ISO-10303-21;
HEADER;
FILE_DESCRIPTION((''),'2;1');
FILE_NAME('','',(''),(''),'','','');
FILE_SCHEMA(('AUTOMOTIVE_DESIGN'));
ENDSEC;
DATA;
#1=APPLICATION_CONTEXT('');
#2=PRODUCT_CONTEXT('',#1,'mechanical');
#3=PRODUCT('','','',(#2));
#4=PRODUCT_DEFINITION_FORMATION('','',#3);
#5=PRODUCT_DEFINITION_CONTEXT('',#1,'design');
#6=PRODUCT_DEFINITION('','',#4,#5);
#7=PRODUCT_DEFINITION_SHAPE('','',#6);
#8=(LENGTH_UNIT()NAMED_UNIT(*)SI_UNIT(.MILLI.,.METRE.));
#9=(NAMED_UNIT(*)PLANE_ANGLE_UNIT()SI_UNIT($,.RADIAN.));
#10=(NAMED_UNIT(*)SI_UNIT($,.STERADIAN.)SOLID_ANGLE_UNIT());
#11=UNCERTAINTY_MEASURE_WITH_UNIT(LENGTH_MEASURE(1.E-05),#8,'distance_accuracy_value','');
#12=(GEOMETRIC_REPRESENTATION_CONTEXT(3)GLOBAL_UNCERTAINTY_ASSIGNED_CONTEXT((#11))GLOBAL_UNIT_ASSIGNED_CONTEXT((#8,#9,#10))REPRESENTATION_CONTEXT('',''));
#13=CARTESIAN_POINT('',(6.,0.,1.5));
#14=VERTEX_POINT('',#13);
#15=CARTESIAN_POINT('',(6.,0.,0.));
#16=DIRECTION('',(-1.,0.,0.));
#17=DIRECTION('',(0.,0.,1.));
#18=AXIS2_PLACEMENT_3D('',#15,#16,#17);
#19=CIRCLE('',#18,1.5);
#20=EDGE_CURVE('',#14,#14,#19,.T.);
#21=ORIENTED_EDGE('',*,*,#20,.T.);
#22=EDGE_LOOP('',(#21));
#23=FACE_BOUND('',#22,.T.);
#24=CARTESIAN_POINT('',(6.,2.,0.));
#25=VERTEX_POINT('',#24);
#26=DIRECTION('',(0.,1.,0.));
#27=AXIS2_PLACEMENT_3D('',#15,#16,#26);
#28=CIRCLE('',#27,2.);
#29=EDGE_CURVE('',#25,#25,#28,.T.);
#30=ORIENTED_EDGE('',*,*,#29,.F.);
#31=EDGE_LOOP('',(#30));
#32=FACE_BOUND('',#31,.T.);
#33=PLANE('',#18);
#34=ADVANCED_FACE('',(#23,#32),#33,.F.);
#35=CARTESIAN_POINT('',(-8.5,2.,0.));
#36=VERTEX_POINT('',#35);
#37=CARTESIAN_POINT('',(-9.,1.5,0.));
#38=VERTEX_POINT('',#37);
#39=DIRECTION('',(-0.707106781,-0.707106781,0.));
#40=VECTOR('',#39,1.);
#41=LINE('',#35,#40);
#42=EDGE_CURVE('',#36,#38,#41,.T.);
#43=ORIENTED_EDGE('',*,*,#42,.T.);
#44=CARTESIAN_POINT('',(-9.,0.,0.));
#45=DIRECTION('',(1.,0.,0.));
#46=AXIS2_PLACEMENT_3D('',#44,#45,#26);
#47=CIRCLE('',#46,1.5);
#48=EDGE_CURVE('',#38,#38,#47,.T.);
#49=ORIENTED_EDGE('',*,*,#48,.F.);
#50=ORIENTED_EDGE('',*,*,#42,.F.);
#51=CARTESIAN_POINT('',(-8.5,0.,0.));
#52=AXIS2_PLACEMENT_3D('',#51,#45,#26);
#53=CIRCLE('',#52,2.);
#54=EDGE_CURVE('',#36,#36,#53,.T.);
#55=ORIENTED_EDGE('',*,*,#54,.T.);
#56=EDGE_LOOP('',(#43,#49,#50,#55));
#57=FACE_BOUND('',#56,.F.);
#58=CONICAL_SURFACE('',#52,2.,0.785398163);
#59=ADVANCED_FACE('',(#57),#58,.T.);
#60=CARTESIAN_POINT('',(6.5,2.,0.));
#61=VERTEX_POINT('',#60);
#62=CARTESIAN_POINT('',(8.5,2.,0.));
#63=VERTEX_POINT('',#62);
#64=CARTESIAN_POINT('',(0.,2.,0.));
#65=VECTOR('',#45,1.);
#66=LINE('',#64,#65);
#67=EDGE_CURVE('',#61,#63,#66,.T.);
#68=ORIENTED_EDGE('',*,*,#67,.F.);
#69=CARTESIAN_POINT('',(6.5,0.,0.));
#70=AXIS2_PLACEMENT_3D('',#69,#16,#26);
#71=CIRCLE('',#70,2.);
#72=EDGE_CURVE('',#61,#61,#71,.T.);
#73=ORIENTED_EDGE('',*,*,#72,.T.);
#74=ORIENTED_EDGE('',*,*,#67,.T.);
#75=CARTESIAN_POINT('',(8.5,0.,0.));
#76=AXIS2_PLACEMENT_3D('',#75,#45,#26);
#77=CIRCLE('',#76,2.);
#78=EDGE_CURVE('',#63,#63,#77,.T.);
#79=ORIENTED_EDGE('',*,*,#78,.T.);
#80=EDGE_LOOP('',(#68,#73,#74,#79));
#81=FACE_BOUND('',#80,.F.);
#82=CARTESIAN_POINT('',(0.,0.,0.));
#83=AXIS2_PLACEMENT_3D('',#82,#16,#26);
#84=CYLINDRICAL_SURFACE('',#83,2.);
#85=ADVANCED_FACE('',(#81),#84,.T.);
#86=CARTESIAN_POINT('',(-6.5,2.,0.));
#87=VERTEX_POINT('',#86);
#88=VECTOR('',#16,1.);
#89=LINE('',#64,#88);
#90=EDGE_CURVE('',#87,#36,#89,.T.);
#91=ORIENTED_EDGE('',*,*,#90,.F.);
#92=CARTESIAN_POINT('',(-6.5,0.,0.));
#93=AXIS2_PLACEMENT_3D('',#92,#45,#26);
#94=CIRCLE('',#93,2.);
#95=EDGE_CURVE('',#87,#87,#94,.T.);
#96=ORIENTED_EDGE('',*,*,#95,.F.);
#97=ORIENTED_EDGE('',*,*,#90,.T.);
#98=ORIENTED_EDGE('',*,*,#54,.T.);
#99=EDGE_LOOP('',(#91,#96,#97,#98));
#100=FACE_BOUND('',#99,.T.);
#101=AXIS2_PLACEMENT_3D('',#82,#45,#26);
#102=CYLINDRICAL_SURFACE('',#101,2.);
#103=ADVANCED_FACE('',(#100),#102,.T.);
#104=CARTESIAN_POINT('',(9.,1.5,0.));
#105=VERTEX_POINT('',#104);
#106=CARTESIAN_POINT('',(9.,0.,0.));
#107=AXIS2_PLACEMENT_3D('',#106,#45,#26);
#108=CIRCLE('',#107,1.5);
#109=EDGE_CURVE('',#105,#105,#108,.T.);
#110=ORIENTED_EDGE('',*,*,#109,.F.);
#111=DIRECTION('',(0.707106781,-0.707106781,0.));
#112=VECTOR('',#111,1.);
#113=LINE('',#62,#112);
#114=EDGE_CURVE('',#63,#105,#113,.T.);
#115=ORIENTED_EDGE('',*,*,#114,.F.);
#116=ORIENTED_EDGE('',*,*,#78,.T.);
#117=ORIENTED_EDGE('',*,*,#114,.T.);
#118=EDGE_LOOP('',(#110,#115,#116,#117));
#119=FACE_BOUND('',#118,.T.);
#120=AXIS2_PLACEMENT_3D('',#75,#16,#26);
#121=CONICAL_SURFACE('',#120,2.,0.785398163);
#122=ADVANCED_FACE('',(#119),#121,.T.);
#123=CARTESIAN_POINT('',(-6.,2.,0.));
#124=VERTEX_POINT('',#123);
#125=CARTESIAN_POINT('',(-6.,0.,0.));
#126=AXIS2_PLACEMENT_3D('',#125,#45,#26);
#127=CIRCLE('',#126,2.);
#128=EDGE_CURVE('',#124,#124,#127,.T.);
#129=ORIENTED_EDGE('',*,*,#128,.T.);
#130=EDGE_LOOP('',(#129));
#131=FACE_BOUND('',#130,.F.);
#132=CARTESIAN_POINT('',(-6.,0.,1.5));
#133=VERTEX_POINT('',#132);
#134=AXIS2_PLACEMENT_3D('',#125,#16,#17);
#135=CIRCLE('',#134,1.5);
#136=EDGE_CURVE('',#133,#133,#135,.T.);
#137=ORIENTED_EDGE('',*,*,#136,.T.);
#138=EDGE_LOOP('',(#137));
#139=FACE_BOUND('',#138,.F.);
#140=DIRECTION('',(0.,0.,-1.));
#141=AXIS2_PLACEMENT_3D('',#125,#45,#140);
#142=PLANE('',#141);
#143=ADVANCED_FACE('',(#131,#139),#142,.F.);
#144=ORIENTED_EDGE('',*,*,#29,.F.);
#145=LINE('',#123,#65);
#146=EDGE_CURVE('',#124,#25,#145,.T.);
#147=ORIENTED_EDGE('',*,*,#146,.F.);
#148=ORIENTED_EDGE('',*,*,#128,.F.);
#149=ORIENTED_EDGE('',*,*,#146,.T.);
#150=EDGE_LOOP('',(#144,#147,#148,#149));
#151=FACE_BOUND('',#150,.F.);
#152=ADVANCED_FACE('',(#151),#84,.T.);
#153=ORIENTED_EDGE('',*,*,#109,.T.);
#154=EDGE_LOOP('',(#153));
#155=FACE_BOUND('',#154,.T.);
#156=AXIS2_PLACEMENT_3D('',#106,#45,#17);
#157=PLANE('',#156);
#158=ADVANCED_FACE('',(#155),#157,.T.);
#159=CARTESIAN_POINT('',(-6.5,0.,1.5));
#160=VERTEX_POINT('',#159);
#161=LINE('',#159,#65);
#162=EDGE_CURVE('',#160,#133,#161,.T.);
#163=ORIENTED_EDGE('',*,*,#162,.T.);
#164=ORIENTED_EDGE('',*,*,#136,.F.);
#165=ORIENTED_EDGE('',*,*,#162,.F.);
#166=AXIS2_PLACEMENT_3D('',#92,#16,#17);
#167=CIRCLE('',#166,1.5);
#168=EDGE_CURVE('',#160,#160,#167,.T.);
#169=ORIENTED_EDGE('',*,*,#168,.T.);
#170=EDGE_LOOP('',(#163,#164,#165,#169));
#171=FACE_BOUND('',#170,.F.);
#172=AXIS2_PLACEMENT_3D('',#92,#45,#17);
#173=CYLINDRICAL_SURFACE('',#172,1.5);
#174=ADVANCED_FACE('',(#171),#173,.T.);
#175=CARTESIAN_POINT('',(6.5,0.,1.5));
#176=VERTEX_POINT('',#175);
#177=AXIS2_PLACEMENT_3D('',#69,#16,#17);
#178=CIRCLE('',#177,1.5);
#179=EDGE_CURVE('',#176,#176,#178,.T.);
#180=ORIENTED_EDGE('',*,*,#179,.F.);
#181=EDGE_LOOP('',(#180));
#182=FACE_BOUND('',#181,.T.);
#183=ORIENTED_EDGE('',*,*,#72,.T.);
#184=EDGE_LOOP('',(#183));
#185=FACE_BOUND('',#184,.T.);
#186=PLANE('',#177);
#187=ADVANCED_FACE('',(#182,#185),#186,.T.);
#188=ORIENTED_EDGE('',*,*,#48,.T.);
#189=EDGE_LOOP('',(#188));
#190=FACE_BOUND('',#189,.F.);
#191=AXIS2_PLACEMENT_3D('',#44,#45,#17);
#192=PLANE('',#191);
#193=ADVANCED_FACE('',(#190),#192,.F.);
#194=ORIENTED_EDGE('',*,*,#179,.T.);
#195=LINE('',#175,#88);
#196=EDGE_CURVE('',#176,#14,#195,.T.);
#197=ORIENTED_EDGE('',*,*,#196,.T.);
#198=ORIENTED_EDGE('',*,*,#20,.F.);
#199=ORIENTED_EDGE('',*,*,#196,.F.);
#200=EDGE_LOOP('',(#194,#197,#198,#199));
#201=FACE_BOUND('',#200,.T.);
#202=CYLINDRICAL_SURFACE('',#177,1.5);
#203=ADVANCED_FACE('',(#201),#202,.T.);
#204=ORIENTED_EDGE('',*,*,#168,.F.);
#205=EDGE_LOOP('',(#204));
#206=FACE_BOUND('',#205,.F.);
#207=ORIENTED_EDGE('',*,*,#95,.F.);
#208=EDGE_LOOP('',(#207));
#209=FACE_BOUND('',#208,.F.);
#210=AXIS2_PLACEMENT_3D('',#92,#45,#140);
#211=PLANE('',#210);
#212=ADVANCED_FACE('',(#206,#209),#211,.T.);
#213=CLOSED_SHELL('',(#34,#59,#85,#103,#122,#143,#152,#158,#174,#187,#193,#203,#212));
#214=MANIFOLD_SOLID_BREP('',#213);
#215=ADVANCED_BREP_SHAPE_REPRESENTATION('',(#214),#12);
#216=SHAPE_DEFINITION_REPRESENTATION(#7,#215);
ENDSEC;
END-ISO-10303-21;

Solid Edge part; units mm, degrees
sketch "Sketch1" plane through (0, 0, 0) normal (1, 0, 0) x (0, 1, 0)
  circle A0 centre (0, 0) radius 2
extrude "Protrusion1" add sketch "Sketch1" along normal mid plane 18
chamfer "Chamfer_1" distance 0.5 angle 45 2 edges at (9, -2, 0) (-9, -2, 0)
sketch "Sketch2" plane through (0, 0, 0) normal (0, -1, 0) x (1, 0, 0)
  line L0 (6, 2) -> (6.5, 2)
  line L1 (6.5, 2) -> (6.5, 1.5)
  line L2 (6.5, 1.5) -> (6, 1.5)
  line L3 (6, 1.5) -> (6, 2)
revolve "RevolvedCutout1" cut sketch "Sketch2" angle 360 about axis through (9, 0, 0) along (-1, 0, 0)
mirror "Mirror1" about plane through (0, 0, 0) normal (1, 0, 0) of "RevolvedCutout1"
properties material "PVC"
